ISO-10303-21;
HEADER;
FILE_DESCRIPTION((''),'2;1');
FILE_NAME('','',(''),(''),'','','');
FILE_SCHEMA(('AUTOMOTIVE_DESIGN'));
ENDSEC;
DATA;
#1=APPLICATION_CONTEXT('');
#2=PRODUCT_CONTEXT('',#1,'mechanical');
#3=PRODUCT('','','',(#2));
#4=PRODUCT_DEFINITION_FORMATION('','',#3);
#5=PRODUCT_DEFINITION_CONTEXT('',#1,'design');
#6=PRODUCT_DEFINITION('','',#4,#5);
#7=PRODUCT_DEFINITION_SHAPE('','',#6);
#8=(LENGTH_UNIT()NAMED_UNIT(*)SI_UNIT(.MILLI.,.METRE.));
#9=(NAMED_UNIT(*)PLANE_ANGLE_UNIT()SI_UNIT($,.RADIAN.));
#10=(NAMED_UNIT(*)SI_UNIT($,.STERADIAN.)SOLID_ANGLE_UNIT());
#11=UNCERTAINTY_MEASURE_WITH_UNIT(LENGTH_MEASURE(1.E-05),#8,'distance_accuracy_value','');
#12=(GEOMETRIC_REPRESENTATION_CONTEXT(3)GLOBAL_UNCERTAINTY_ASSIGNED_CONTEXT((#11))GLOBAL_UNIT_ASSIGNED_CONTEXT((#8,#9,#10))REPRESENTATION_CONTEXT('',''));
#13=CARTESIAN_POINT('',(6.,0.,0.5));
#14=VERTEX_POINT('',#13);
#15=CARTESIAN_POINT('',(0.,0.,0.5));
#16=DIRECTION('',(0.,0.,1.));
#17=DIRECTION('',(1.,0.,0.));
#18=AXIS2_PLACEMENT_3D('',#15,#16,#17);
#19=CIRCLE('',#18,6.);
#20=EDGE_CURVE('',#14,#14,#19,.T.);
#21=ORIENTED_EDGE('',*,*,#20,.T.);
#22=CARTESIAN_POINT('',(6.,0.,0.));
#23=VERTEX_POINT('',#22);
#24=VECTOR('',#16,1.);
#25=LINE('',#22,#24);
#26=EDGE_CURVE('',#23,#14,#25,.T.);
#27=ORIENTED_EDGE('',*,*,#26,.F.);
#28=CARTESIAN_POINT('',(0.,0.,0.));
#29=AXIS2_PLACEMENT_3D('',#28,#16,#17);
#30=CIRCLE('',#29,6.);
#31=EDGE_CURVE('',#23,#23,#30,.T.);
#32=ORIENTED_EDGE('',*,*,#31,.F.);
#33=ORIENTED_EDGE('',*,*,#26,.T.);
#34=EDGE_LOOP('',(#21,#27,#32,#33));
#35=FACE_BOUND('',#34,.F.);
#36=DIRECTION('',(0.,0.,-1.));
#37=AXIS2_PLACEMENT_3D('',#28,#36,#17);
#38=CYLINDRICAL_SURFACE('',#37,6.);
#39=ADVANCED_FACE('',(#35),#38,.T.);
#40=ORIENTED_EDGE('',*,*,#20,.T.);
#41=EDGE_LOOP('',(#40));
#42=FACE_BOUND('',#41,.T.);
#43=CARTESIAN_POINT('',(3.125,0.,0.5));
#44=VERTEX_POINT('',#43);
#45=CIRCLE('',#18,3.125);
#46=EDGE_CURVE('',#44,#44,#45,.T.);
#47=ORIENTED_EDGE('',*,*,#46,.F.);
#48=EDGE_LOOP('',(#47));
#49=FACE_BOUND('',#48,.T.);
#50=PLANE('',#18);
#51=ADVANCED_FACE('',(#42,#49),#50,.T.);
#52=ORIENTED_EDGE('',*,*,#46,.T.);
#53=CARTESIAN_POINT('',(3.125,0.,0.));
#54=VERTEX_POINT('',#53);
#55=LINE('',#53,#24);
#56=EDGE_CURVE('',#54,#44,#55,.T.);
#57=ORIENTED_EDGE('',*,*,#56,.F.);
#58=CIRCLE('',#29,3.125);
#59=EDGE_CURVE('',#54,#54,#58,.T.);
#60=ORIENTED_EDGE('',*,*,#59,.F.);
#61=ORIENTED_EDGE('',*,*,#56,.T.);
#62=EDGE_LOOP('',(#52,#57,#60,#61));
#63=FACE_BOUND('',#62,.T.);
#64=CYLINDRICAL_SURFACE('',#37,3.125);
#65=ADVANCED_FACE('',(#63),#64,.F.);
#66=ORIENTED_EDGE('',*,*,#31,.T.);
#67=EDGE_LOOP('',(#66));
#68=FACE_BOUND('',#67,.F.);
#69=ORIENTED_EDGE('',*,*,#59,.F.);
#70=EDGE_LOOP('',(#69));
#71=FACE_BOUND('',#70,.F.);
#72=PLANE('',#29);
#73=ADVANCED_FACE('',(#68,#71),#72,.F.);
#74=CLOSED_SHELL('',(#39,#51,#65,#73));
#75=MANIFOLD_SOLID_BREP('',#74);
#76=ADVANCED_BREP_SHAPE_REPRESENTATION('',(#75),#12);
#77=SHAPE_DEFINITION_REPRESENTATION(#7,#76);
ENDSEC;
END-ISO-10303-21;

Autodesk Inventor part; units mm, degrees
ref_plane "YZ Plane" through (0, 0, 0) normal (1, 0, 0) x (0, 1, 0)
ref_plane "XZ Plane" through (0, 0, 0) normal (0, 1, 0) x (-1, 0, 0)
ref_plane "XY Plane" through (0, 0, 0) normal (0, 0, 1) x (1, 0, 0)
sketch "スケッチ1" plane through (0, 0, 0) normal (0, 0, 1) x (1, 0, 0)
  circle A0 centre (0, 0) radius 3.125
  circle A1 centre (0, 0) radius 6
  dimension "d0" = 6.25
  dimension "d1" = 12
extrude "押し出し1" add sketch "スケッチ1" along normal blind 0.5
equation "\"TransitionRadius\" = BendRadius"
equation "\"BendRadius\" = 3.048"
properties part number "TT-1022-05" material "열가소성 수지"
